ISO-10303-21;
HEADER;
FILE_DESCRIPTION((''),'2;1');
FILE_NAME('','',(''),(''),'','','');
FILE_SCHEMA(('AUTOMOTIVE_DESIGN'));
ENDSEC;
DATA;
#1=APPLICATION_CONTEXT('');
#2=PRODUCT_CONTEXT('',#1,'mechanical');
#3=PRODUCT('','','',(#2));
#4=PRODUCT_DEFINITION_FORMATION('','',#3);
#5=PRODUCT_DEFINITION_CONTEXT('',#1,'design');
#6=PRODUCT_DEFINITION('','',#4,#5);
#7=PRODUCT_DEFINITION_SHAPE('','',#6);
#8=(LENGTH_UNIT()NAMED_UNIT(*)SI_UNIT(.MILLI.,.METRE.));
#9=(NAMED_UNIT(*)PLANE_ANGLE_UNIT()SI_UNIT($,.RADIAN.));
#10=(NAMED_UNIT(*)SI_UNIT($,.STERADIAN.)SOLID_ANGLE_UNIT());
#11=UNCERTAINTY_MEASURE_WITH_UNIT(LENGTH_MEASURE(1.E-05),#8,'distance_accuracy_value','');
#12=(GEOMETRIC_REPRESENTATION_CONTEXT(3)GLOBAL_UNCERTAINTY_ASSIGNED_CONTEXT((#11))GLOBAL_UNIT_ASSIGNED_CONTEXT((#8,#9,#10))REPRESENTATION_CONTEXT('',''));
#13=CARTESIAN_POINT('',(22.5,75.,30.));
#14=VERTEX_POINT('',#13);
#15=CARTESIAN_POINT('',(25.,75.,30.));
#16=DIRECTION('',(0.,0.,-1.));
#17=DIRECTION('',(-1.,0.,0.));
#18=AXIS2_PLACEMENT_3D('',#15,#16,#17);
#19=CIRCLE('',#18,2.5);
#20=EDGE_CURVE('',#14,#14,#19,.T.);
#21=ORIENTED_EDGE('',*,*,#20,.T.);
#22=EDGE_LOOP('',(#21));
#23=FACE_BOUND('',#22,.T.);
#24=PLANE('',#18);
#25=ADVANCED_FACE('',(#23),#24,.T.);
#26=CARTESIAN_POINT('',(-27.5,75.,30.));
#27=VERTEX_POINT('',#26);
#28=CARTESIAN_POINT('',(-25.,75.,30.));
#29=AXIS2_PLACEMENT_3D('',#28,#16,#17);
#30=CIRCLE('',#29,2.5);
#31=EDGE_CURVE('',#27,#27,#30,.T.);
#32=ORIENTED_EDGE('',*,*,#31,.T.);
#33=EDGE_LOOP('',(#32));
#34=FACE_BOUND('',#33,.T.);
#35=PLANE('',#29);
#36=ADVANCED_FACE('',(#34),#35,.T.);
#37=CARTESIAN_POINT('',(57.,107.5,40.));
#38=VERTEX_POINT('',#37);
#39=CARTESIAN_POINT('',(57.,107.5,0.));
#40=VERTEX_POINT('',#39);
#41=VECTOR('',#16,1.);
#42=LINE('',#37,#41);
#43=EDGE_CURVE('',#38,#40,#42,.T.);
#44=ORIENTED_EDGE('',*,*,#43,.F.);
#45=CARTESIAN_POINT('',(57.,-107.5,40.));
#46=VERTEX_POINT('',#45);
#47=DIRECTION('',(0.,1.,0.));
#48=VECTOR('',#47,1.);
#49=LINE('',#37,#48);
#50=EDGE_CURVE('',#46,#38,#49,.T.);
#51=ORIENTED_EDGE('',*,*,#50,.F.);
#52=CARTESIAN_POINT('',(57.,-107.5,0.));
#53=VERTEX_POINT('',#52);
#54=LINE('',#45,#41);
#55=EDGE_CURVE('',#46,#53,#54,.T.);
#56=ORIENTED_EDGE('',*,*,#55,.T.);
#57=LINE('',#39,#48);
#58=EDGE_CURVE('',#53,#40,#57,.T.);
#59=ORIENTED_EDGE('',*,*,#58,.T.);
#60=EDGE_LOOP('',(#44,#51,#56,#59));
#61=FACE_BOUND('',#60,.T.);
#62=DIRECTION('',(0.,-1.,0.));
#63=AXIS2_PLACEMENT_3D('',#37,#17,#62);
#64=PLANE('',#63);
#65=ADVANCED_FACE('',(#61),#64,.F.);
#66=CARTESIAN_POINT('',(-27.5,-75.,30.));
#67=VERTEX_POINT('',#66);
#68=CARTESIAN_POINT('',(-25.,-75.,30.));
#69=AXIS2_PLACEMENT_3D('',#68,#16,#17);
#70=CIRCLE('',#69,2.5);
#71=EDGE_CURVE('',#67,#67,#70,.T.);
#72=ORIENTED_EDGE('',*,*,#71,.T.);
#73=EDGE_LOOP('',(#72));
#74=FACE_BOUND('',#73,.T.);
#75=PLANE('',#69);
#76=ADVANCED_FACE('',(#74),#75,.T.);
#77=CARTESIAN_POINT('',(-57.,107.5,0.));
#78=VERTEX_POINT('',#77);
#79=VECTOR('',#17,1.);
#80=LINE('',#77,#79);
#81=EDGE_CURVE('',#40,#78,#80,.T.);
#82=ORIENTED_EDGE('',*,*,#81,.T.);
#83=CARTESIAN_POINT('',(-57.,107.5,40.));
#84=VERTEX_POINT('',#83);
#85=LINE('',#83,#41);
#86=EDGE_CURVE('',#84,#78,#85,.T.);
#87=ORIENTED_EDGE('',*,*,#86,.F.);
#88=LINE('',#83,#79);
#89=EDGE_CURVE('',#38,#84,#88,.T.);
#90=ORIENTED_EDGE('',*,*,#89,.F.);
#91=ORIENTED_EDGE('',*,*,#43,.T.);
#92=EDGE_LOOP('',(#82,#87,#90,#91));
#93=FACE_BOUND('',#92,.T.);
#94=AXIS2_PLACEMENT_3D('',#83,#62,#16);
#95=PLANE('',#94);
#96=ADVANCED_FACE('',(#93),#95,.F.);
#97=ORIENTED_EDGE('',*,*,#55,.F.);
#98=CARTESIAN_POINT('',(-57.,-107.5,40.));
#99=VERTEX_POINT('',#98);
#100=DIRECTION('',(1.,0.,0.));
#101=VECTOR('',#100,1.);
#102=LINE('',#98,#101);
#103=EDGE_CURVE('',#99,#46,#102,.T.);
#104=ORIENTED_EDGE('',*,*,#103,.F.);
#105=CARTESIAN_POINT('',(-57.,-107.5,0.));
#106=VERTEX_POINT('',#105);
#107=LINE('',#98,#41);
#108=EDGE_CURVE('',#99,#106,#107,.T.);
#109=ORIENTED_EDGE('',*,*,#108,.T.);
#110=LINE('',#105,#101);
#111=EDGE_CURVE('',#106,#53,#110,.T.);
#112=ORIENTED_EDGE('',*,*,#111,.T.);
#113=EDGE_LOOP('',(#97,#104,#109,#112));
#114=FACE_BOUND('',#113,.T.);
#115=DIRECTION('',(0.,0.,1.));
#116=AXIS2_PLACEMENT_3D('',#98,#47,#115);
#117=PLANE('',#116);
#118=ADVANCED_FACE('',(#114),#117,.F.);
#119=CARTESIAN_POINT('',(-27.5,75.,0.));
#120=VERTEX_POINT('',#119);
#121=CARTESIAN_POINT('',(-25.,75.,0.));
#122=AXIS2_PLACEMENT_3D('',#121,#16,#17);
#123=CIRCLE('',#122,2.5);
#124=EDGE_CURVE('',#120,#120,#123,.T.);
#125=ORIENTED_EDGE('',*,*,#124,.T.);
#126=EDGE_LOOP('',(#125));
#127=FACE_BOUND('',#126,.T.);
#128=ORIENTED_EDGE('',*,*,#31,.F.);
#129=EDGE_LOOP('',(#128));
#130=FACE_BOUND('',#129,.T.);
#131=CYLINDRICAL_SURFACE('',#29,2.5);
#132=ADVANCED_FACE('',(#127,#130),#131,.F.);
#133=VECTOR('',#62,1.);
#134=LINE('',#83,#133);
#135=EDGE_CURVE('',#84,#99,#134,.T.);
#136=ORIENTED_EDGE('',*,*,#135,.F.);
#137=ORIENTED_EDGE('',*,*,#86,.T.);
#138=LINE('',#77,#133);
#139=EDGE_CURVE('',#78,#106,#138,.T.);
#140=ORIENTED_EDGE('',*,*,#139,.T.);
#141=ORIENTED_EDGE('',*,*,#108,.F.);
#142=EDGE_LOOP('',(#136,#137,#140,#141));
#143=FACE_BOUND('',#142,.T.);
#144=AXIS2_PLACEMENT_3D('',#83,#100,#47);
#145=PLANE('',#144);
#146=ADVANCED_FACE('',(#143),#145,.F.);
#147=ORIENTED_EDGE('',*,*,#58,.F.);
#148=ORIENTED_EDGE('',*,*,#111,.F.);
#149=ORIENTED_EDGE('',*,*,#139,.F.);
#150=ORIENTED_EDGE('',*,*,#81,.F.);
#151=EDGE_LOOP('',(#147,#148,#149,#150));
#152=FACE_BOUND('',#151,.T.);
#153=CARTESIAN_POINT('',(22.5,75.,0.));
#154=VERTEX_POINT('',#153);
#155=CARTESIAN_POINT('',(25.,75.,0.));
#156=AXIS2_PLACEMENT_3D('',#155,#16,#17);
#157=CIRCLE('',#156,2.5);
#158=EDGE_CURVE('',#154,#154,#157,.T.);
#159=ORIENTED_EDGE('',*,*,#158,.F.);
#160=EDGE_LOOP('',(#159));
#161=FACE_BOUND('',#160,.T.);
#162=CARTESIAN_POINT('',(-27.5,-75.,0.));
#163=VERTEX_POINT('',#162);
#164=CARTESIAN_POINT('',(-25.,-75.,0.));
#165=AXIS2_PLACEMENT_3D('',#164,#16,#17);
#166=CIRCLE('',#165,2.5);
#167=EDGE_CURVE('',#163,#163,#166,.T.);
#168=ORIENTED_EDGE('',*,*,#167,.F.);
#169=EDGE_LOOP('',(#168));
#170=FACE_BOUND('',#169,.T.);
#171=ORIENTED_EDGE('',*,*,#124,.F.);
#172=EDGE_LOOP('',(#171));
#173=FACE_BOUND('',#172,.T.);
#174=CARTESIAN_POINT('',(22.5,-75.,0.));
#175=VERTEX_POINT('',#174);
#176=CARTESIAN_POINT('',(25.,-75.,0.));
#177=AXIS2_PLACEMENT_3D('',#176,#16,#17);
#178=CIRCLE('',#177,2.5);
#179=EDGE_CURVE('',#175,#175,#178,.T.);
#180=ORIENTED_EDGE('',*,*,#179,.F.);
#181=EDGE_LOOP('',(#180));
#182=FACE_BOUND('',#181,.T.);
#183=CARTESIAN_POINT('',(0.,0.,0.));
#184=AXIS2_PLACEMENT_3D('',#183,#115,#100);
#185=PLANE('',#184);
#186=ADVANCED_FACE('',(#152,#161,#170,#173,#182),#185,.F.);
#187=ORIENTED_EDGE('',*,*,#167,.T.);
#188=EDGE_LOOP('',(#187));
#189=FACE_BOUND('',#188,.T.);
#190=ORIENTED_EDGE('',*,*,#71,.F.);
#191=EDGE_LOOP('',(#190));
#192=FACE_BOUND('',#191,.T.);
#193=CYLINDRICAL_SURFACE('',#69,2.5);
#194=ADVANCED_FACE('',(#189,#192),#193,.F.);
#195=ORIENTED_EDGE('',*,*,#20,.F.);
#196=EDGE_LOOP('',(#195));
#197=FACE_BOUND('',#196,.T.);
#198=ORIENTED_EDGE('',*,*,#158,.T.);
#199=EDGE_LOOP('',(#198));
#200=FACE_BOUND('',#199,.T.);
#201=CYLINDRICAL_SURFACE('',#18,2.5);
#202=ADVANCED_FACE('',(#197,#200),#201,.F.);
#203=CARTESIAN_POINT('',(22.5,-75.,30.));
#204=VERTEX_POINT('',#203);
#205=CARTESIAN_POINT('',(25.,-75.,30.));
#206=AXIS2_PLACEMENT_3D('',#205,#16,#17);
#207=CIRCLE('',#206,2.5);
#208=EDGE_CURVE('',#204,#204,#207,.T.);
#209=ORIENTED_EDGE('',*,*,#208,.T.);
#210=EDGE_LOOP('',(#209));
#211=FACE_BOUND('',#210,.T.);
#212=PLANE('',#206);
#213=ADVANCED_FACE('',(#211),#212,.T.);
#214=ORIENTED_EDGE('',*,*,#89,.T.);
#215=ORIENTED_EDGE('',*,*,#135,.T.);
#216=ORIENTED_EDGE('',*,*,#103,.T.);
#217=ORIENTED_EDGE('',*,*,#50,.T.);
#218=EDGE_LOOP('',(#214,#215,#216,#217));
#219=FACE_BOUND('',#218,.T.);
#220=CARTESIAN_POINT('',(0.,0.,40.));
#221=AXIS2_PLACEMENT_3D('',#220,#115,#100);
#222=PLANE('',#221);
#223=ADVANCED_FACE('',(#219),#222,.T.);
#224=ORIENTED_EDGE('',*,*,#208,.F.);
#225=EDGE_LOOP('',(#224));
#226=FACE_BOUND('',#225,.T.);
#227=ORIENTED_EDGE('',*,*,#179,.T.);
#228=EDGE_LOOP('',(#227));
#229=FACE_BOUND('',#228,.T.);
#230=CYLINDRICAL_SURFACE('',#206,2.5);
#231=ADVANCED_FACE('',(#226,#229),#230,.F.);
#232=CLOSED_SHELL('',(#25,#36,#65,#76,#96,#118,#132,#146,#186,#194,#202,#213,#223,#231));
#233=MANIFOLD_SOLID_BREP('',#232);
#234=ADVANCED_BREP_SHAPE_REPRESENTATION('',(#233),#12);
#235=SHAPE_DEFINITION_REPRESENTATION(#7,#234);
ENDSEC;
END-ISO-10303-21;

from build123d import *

# Parameters (mm, degrees)
SKETCH1_W           = 114
SKETCH1_H           = 215
BOSS_EXTRUDE1_DEPTH = 40
SKETCH2_R           = 2.5
CUT_EXTRUDE1_DEPTH  = 30


with BuildPart() as part:
    # Sketch1 → Boss-Extrude1 (new body)
    with BuildSketch(Plane.XY):
        Rectangle(SKETCH1_W, SKETCH1_H)
    extrude(amount=BOSS_EXTRUDE1_DEPTH)

    # Sketch2 → Cut-Extrude1 (cut)
    with BuildSketch(Plane(origin=(0, 0, 0), x_dir=(-1, 0, 0), z_dir=(0, 0, -1))):
        with Locations((-25, 75)):
            Circle(SKETCH2_R)
        with Locations((25, 75)):
            Circle(SKETCH2_R)
        with Locations((25, -75)):
            Circle(SKETCH2_R)
        with Locations((-25, -75)):
            Circle(SKETCH2_R)
    extrude(amount=-CUT_EXTRUDE1_DEPTH, mode=Mode.SUBTRACT)


solid = part.part
